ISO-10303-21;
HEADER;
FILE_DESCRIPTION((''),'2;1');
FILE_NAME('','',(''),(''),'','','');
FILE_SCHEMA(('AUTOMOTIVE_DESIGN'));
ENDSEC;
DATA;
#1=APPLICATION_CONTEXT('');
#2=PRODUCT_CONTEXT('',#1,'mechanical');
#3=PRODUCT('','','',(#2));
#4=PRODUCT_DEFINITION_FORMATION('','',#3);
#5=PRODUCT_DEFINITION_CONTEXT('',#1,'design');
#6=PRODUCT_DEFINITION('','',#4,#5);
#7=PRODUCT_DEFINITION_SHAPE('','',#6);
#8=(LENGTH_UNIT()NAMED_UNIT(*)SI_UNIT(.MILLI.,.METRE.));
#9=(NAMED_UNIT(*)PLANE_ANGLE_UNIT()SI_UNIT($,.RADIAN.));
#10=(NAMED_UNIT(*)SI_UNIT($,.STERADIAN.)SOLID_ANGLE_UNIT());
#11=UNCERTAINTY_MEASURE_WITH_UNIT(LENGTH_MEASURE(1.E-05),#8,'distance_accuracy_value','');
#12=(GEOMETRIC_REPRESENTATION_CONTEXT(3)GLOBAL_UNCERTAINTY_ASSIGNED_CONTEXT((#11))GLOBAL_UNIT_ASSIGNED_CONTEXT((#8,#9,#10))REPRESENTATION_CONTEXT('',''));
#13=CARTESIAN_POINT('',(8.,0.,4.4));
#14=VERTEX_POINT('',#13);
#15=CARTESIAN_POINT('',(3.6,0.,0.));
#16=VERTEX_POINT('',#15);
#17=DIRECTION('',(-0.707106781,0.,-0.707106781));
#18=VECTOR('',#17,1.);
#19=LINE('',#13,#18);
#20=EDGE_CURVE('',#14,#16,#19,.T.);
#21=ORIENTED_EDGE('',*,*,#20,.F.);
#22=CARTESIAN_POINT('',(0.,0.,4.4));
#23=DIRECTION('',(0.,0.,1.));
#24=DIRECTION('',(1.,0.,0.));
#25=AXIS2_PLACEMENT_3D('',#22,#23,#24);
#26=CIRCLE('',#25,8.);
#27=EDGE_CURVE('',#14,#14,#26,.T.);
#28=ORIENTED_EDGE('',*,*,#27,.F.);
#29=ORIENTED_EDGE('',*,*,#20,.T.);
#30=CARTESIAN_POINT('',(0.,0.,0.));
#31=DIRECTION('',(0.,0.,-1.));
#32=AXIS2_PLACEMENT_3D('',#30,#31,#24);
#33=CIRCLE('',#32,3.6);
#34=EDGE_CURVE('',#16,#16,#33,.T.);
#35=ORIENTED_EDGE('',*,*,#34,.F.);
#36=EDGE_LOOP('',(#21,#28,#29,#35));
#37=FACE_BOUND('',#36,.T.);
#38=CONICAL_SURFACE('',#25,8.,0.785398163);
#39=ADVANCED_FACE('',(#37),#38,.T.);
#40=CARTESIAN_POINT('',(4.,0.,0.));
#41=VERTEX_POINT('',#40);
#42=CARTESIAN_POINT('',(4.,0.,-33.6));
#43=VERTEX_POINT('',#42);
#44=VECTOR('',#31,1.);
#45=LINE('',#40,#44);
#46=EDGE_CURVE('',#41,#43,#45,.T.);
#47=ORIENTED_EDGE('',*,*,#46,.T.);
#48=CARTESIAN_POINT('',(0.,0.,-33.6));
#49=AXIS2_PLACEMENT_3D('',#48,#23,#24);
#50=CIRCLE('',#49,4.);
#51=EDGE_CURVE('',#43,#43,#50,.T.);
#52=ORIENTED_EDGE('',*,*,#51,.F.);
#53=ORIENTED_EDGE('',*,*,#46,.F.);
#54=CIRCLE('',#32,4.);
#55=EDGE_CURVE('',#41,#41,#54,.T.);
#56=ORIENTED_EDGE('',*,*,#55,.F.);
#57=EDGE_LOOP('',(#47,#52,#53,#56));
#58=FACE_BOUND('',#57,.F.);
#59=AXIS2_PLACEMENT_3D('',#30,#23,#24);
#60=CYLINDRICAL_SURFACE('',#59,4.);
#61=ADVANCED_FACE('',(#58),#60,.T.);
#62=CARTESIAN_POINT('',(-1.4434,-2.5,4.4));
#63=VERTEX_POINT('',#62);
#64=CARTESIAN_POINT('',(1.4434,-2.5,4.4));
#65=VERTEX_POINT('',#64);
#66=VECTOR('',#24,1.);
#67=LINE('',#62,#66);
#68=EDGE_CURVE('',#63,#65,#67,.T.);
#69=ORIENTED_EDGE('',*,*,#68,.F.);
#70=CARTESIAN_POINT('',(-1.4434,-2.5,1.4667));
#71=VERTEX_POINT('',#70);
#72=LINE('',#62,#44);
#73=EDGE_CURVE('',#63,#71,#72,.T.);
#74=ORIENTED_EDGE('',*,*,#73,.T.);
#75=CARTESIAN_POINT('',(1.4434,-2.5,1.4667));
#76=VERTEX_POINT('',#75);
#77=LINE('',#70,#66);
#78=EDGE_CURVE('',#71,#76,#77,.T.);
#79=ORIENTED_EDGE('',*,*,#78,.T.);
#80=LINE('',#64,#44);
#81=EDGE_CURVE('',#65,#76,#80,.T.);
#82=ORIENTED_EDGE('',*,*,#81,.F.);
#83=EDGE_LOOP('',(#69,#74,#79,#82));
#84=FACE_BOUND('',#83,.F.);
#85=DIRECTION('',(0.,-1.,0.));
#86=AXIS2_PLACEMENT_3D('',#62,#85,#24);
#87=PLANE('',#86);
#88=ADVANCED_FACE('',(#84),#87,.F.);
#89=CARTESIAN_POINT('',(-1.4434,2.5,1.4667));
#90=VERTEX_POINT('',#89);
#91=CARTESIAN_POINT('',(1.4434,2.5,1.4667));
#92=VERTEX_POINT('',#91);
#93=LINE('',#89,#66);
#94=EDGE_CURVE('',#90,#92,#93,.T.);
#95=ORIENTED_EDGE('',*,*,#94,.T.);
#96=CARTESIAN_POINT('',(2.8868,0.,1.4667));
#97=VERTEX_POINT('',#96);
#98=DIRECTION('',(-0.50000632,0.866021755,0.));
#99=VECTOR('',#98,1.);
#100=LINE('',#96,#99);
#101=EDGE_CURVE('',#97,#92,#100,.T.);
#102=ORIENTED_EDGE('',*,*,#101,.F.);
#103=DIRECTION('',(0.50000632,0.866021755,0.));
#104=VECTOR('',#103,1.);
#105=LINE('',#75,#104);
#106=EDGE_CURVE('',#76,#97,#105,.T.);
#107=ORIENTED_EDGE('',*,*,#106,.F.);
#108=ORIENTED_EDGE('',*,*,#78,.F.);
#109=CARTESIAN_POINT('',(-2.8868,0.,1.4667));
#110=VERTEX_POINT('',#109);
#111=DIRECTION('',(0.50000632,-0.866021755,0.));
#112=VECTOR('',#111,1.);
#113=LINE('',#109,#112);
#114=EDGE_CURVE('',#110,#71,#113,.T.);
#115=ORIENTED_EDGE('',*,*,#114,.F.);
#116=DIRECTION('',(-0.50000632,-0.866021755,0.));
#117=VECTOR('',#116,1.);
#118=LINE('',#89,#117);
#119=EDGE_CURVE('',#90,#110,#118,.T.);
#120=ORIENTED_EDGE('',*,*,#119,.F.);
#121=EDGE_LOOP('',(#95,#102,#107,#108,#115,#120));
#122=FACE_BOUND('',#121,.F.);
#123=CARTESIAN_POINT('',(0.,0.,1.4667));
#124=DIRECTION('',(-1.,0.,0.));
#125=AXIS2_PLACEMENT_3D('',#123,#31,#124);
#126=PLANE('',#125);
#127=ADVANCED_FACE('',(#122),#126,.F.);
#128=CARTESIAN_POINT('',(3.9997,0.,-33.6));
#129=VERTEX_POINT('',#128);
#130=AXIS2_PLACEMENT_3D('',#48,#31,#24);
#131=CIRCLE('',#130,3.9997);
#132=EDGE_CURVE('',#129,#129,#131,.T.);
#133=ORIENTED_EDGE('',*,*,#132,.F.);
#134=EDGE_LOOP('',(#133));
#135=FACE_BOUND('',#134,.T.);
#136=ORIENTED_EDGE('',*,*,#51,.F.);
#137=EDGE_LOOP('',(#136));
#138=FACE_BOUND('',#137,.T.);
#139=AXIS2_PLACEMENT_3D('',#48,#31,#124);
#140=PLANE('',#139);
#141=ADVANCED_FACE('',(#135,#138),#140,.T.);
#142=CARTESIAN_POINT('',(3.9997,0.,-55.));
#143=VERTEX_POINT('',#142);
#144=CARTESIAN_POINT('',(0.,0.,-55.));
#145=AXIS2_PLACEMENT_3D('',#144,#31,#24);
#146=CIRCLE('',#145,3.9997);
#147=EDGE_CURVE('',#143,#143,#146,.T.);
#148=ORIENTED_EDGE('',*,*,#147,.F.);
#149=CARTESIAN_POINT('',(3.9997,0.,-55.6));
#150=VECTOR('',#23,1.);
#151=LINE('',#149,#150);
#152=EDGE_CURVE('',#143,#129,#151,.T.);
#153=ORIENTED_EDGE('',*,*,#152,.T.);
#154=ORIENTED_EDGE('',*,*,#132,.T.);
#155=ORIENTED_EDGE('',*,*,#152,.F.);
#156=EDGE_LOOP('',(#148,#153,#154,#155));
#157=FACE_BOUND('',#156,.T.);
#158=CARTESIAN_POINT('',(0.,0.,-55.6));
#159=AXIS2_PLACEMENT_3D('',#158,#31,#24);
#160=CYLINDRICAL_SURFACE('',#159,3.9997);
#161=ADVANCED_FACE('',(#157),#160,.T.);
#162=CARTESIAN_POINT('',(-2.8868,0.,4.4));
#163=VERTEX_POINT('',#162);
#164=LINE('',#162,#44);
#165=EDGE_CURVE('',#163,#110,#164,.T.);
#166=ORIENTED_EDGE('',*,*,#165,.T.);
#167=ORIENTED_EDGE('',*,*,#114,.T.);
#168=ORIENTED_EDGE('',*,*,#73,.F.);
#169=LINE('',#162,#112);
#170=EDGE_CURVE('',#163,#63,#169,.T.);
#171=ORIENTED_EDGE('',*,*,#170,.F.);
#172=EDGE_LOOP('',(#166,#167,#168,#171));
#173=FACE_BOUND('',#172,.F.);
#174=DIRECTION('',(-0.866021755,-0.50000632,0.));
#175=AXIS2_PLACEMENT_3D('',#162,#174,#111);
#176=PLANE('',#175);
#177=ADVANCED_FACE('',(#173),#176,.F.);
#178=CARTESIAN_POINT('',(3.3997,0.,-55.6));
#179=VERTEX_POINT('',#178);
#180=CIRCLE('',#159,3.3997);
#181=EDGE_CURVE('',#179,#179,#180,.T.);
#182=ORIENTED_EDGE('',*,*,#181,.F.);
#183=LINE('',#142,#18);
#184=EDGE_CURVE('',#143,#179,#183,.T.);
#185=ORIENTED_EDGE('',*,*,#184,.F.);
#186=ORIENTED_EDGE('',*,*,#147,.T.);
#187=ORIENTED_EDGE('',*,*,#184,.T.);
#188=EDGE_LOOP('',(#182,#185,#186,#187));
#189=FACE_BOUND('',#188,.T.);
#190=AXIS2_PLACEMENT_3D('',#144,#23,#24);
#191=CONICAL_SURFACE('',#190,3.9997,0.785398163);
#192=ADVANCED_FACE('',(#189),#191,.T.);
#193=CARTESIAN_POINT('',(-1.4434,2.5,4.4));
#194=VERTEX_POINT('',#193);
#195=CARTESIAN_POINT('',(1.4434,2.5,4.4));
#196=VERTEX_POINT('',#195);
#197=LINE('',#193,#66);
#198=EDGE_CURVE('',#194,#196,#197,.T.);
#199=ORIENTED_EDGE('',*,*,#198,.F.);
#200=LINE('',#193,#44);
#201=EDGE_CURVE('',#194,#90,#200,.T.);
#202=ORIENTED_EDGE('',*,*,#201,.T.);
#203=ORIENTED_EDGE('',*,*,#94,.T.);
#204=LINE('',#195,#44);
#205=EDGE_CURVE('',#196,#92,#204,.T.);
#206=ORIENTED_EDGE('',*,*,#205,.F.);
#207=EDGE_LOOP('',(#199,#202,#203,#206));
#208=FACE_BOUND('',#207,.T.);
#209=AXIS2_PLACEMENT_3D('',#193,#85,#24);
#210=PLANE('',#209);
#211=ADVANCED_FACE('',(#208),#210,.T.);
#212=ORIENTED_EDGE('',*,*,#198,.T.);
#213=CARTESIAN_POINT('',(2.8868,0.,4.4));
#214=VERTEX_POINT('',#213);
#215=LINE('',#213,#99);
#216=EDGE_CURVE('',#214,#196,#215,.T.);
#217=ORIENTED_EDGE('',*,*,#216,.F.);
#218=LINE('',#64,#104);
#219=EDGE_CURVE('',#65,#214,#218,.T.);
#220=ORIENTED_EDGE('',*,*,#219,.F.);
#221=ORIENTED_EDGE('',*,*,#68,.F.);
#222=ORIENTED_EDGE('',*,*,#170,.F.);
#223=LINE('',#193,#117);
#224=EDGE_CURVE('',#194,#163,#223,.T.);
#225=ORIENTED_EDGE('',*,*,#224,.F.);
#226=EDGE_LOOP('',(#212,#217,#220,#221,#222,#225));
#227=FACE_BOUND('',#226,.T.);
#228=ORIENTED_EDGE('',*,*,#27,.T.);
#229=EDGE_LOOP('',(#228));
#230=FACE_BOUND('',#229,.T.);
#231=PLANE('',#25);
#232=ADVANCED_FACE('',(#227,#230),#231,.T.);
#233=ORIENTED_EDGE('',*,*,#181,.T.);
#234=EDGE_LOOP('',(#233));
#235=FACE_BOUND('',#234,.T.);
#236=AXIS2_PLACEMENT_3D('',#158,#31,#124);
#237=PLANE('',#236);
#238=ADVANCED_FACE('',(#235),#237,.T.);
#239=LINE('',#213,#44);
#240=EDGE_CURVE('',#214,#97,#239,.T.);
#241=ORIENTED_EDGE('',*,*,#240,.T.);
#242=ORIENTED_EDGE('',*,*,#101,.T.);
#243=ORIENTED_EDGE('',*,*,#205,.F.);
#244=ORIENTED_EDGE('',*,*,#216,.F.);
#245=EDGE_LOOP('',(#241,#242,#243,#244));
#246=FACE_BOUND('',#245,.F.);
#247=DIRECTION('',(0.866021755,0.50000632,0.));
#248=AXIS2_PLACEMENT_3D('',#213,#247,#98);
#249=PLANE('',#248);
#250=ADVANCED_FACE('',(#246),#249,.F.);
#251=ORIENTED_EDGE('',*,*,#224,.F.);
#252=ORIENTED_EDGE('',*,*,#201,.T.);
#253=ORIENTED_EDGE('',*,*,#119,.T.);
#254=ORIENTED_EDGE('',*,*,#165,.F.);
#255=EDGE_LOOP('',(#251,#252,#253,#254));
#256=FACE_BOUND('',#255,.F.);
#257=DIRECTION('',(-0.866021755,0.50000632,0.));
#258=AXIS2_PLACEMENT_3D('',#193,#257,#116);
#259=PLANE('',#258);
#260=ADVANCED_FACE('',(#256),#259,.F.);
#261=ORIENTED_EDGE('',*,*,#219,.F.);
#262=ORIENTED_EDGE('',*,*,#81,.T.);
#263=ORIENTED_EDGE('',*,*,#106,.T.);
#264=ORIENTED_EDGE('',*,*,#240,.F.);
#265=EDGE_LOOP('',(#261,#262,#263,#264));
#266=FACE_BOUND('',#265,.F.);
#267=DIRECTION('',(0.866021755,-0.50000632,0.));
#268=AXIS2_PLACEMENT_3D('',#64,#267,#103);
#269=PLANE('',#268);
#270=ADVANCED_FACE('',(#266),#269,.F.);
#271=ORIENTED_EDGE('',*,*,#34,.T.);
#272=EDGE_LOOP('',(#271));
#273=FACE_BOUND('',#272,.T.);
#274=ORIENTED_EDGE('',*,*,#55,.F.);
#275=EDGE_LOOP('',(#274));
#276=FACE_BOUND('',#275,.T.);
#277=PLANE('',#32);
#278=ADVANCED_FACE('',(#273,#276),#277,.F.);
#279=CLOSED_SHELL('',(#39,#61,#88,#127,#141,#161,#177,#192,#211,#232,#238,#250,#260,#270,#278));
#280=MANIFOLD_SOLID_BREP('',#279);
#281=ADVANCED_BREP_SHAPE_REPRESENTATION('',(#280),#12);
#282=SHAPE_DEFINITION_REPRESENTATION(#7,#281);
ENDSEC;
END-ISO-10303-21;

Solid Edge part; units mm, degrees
sketch "Sketch1" plane through (0, 0, 0) normal (0, 0, 1) x (1, 0, 0)
  circle A0 centre (0, 0) radius 8
  dimension "D1" = 16
extrude "Protrusion1" add sketch "Sketch1" along normal blind 4.4
sketch "Sketch2" plane through (0, 0, 0) normal (0, 0, -1) x (1, 0, 0)
  circle A0 centre (0, 0) radius 4
extrude "Protrusion2" add sketch "Sketch2" along normal blind 55.6
sketch "Sketch3" plane through (0, 0, -55.6) normal (0, 0, -1) x (1, 0, 0)
  circle A0 centre (0, 0) radius 3.9997
extrude "Cutout1" cut sketch "Sketch3" against normal blind 22 flip side to cut
chamfer "Chamfer_1" distance 0.6 angle 45 1 edges at (-3.9997, 0, -55.6)
sketch "Sketch4" plane through (0, 0, 4.4) normal (0, 0, 1) x (1, 0, 0)
  line L0 (-1.4434, 2.5) -> (1.4434, 2.5)
  line L1 (2.8868, 0) -> (1.4434, 2.5)
  line L2 (1.4434, -2.5) -> (2.8868, 0)
  line L3 (-1.4434, -2.5) -> (1.4434, -2.5)
  line L4 (-2.8868, 0) -> (-1.4434, -2.5)
  line L5 (-1.4434, 2.5) -> (-2.8868, 0)
  dimension "D1" = 5
extrude "Cutout2" cut sketch "Sketch4" against normal blind 2.9333
sketch "Sketch5" plane through (0, 0, 0) normal (0, -1, 0) x (1, 0, 0)
  line L0 (8, 4.4) -> (3.6, 0)
  line L1 (3.6, 0) -> (8, 0)
  line L2 (8, 0) -> (8, 4.4)
revolve "RevolvedCutout1" cut sketch "Sketch5" angle 360 about axis through (0, 0, 14.0017) along (0, 0, -1)
properties part number "300390"
